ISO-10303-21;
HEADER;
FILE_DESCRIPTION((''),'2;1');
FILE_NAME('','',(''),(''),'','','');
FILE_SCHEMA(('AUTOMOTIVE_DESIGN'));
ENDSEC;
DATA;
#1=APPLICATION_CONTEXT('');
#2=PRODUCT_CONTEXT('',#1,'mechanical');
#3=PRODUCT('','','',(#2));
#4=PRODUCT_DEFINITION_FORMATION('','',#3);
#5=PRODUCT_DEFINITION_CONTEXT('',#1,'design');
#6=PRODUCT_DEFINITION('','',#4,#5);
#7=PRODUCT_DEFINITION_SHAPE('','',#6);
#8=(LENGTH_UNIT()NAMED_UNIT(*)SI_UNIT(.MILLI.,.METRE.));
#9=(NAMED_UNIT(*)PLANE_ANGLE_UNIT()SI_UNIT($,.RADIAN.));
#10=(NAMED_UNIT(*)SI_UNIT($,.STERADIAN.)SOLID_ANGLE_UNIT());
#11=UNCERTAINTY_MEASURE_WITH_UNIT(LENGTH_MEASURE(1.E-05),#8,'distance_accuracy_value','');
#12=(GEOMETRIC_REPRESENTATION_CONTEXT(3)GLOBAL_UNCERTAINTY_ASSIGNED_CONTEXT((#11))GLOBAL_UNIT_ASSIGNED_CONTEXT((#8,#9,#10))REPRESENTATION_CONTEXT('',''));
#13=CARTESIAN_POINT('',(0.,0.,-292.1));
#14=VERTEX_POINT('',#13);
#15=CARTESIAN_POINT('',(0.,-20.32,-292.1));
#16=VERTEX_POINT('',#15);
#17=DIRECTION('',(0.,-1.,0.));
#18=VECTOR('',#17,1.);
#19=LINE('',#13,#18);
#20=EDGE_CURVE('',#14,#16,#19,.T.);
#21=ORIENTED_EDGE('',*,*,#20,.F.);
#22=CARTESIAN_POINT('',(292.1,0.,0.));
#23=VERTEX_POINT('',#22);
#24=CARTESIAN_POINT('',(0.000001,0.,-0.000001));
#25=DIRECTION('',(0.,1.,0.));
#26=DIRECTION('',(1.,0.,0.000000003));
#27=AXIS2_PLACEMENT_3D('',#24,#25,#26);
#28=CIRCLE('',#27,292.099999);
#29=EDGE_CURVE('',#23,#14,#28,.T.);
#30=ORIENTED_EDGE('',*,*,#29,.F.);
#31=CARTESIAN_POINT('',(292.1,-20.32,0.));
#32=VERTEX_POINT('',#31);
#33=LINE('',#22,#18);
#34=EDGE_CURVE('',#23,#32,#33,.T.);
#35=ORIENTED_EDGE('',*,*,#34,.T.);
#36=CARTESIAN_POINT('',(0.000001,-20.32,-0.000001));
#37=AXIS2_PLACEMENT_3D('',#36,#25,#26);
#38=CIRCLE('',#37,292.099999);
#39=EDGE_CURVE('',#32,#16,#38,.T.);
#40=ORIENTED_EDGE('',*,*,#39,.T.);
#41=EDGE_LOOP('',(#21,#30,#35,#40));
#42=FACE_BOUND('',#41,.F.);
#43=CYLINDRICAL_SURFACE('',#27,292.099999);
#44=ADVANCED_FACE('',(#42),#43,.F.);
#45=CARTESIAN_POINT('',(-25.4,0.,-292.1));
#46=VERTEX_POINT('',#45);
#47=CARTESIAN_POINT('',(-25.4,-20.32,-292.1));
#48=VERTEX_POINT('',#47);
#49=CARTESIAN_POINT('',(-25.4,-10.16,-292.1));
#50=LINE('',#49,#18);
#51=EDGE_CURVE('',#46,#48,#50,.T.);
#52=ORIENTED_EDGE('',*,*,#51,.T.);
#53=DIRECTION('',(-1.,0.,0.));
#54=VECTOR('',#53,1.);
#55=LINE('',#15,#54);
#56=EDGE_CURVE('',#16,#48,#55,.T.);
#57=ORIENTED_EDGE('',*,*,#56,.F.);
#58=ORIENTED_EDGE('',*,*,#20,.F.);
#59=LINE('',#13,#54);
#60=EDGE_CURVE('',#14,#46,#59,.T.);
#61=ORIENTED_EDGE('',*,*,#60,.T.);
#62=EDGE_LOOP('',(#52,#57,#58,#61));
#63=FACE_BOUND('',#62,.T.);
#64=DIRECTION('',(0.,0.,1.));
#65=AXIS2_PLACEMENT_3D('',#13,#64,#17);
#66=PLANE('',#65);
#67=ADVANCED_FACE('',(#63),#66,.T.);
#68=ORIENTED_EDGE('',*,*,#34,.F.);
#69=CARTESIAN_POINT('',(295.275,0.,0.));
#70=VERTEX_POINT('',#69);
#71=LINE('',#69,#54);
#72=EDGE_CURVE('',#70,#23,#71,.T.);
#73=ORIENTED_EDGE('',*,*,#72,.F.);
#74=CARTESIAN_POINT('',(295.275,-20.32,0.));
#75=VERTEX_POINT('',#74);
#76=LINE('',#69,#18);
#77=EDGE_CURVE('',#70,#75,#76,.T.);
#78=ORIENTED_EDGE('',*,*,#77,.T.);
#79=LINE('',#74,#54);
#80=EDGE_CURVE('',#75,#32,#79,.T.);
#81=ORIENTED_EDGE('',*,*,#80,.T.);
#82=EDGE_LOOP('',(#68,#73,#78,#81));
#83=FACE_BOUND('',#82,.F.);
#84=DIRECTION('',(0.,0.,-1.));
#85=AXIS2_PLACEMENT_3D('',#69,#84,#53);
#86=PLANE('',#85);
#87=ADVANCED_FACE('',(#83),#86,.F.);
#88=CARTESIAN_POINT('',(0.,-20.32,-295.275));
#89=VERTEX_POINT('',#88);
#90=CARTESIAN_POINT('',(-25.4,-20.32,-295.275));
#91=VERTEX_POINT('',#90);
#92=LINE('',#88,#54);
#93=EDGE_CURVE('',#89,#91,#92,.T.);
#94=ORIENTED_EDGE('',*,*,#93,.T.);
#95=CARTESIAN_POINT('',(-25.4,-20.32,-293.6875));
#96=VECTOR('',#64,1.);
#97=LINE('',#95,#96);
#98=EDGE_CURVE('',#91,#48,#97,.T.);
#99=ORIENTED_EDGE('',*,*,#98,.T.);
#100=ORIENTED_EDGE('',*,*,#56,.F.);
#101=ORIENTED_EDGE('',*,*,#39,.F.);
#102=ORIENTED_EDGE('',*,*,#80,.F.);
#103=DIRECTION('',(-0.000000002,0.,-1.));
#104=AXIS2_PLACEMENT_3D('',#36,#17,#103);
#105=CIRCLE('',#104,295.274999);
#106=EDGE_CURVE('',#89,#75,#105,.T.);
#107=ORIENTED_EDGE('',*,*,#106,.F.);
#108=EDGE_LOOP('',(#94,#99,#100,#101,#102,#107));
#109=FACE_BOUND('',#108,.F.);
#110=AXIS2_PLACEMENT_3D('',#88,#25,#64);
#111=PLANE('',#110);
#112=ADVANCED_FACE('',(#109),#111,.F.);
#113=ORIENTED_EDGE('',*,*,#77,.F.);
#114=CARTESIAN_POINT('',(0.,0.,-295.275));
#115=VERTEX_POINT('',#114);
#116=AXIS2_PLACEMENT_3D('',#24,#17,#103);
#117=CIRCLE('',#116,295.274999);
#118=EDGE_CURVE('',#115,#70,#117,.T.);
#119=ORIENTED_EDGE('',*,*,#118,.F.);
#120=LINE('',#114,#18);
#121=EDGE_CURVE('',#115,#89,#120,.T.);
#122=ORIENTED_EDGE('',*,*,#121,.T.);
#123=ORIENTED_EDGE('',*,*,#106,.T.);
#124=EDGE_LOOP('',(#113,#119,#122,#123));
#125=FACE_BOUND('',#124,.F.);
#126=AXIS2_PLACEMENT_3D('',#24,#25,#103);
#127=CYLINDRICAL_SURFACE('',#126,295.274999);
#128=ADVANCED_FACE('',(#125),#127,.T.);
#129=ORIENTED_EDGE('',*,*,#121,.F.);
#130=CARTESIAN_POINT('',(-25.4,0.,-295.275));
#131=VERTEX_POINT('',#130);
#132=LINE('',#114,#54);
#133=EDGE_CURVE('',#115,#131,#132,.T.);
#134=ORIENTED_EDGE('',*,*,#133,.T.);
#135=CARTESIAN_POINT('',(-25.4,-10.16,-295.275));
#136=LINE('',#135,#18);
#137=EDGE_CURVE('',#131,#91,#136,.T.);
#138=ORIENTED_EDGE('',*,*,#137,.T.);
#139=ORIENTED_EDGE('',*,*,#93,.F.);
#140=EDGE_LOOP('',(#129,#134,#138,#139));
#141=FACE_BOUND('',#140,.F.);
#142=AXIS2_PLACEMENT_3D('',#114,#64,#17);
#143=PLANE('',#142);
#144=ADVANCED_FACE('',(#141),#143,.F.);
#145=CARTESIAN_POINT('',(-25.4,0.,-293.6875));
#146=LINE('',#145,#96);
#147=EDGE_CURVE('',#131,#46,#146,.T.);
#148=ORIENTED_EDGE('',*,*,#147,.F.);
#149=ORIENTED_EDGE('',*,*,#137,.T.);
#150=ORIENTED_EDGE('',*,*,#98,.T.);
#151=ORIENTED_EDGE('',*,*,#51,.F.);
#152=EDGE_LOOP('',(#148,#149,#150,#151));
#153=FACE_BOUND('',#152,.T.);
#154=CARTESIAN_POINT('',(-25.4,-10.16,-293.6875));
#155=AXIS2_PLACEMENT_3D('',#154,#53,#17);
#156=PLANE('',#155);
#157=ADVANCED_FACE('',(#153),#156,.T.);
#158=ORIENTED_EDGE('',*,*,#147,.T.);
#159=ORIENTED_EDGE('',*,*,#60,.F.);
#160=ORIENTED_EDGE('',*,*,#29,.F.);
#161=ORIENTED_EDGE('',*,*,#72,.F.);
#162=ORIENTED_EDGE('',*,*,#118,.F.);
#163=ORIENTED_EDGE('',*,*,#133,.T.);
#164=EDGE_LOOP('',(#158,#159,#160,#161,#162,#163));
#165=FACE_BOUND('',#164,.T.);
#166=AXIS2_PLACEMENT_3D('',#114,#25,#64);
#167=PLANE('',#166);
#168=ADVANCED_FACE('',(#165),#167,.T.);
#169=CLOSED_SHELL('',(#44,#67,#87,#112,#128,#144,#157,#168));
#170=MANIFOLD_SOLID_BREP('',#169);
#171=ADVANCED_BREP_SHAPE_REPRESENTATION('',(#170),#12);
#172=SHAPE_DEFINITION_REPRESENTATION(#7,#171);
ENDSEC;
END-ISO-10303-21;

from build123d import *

# Parameters (mm, degrees)
F1_DEPTH = 20.32
F2_W     = 20.32
F2_H     = 3.175
F3_DEPTH = 25.4


with BuildPart() as f1:
    # F0 (on Front) → F1 (new body)
    with BuildSketch(Plane.XZ):
        with BuildLine():
            ThreePointArc((292.1, 0), (206.545891, -206.545891), (0, -292.1))
            Line((0, -292.1), (0, -295.275))
            ThreePointArc((0, -295.275), (208.790955, -208.790955), (295.275, 0))
            Line((295.275, 0), (292.1, 0))
        make_face()
    extrude(amount=F1_DEPTH)

    # F2 (on face) → F3 (join)
    with BuildSketch(Plane(origin=(0, 0, 0), x_dir=(0, -1, 0), z_dir=(-1, 0, 0))):
        with Locations((10.16, -293.6875)):
            Rectangle(F2_W, F2_H)
    extrude(amount=F3_DEPTH)


solid = f1.part
